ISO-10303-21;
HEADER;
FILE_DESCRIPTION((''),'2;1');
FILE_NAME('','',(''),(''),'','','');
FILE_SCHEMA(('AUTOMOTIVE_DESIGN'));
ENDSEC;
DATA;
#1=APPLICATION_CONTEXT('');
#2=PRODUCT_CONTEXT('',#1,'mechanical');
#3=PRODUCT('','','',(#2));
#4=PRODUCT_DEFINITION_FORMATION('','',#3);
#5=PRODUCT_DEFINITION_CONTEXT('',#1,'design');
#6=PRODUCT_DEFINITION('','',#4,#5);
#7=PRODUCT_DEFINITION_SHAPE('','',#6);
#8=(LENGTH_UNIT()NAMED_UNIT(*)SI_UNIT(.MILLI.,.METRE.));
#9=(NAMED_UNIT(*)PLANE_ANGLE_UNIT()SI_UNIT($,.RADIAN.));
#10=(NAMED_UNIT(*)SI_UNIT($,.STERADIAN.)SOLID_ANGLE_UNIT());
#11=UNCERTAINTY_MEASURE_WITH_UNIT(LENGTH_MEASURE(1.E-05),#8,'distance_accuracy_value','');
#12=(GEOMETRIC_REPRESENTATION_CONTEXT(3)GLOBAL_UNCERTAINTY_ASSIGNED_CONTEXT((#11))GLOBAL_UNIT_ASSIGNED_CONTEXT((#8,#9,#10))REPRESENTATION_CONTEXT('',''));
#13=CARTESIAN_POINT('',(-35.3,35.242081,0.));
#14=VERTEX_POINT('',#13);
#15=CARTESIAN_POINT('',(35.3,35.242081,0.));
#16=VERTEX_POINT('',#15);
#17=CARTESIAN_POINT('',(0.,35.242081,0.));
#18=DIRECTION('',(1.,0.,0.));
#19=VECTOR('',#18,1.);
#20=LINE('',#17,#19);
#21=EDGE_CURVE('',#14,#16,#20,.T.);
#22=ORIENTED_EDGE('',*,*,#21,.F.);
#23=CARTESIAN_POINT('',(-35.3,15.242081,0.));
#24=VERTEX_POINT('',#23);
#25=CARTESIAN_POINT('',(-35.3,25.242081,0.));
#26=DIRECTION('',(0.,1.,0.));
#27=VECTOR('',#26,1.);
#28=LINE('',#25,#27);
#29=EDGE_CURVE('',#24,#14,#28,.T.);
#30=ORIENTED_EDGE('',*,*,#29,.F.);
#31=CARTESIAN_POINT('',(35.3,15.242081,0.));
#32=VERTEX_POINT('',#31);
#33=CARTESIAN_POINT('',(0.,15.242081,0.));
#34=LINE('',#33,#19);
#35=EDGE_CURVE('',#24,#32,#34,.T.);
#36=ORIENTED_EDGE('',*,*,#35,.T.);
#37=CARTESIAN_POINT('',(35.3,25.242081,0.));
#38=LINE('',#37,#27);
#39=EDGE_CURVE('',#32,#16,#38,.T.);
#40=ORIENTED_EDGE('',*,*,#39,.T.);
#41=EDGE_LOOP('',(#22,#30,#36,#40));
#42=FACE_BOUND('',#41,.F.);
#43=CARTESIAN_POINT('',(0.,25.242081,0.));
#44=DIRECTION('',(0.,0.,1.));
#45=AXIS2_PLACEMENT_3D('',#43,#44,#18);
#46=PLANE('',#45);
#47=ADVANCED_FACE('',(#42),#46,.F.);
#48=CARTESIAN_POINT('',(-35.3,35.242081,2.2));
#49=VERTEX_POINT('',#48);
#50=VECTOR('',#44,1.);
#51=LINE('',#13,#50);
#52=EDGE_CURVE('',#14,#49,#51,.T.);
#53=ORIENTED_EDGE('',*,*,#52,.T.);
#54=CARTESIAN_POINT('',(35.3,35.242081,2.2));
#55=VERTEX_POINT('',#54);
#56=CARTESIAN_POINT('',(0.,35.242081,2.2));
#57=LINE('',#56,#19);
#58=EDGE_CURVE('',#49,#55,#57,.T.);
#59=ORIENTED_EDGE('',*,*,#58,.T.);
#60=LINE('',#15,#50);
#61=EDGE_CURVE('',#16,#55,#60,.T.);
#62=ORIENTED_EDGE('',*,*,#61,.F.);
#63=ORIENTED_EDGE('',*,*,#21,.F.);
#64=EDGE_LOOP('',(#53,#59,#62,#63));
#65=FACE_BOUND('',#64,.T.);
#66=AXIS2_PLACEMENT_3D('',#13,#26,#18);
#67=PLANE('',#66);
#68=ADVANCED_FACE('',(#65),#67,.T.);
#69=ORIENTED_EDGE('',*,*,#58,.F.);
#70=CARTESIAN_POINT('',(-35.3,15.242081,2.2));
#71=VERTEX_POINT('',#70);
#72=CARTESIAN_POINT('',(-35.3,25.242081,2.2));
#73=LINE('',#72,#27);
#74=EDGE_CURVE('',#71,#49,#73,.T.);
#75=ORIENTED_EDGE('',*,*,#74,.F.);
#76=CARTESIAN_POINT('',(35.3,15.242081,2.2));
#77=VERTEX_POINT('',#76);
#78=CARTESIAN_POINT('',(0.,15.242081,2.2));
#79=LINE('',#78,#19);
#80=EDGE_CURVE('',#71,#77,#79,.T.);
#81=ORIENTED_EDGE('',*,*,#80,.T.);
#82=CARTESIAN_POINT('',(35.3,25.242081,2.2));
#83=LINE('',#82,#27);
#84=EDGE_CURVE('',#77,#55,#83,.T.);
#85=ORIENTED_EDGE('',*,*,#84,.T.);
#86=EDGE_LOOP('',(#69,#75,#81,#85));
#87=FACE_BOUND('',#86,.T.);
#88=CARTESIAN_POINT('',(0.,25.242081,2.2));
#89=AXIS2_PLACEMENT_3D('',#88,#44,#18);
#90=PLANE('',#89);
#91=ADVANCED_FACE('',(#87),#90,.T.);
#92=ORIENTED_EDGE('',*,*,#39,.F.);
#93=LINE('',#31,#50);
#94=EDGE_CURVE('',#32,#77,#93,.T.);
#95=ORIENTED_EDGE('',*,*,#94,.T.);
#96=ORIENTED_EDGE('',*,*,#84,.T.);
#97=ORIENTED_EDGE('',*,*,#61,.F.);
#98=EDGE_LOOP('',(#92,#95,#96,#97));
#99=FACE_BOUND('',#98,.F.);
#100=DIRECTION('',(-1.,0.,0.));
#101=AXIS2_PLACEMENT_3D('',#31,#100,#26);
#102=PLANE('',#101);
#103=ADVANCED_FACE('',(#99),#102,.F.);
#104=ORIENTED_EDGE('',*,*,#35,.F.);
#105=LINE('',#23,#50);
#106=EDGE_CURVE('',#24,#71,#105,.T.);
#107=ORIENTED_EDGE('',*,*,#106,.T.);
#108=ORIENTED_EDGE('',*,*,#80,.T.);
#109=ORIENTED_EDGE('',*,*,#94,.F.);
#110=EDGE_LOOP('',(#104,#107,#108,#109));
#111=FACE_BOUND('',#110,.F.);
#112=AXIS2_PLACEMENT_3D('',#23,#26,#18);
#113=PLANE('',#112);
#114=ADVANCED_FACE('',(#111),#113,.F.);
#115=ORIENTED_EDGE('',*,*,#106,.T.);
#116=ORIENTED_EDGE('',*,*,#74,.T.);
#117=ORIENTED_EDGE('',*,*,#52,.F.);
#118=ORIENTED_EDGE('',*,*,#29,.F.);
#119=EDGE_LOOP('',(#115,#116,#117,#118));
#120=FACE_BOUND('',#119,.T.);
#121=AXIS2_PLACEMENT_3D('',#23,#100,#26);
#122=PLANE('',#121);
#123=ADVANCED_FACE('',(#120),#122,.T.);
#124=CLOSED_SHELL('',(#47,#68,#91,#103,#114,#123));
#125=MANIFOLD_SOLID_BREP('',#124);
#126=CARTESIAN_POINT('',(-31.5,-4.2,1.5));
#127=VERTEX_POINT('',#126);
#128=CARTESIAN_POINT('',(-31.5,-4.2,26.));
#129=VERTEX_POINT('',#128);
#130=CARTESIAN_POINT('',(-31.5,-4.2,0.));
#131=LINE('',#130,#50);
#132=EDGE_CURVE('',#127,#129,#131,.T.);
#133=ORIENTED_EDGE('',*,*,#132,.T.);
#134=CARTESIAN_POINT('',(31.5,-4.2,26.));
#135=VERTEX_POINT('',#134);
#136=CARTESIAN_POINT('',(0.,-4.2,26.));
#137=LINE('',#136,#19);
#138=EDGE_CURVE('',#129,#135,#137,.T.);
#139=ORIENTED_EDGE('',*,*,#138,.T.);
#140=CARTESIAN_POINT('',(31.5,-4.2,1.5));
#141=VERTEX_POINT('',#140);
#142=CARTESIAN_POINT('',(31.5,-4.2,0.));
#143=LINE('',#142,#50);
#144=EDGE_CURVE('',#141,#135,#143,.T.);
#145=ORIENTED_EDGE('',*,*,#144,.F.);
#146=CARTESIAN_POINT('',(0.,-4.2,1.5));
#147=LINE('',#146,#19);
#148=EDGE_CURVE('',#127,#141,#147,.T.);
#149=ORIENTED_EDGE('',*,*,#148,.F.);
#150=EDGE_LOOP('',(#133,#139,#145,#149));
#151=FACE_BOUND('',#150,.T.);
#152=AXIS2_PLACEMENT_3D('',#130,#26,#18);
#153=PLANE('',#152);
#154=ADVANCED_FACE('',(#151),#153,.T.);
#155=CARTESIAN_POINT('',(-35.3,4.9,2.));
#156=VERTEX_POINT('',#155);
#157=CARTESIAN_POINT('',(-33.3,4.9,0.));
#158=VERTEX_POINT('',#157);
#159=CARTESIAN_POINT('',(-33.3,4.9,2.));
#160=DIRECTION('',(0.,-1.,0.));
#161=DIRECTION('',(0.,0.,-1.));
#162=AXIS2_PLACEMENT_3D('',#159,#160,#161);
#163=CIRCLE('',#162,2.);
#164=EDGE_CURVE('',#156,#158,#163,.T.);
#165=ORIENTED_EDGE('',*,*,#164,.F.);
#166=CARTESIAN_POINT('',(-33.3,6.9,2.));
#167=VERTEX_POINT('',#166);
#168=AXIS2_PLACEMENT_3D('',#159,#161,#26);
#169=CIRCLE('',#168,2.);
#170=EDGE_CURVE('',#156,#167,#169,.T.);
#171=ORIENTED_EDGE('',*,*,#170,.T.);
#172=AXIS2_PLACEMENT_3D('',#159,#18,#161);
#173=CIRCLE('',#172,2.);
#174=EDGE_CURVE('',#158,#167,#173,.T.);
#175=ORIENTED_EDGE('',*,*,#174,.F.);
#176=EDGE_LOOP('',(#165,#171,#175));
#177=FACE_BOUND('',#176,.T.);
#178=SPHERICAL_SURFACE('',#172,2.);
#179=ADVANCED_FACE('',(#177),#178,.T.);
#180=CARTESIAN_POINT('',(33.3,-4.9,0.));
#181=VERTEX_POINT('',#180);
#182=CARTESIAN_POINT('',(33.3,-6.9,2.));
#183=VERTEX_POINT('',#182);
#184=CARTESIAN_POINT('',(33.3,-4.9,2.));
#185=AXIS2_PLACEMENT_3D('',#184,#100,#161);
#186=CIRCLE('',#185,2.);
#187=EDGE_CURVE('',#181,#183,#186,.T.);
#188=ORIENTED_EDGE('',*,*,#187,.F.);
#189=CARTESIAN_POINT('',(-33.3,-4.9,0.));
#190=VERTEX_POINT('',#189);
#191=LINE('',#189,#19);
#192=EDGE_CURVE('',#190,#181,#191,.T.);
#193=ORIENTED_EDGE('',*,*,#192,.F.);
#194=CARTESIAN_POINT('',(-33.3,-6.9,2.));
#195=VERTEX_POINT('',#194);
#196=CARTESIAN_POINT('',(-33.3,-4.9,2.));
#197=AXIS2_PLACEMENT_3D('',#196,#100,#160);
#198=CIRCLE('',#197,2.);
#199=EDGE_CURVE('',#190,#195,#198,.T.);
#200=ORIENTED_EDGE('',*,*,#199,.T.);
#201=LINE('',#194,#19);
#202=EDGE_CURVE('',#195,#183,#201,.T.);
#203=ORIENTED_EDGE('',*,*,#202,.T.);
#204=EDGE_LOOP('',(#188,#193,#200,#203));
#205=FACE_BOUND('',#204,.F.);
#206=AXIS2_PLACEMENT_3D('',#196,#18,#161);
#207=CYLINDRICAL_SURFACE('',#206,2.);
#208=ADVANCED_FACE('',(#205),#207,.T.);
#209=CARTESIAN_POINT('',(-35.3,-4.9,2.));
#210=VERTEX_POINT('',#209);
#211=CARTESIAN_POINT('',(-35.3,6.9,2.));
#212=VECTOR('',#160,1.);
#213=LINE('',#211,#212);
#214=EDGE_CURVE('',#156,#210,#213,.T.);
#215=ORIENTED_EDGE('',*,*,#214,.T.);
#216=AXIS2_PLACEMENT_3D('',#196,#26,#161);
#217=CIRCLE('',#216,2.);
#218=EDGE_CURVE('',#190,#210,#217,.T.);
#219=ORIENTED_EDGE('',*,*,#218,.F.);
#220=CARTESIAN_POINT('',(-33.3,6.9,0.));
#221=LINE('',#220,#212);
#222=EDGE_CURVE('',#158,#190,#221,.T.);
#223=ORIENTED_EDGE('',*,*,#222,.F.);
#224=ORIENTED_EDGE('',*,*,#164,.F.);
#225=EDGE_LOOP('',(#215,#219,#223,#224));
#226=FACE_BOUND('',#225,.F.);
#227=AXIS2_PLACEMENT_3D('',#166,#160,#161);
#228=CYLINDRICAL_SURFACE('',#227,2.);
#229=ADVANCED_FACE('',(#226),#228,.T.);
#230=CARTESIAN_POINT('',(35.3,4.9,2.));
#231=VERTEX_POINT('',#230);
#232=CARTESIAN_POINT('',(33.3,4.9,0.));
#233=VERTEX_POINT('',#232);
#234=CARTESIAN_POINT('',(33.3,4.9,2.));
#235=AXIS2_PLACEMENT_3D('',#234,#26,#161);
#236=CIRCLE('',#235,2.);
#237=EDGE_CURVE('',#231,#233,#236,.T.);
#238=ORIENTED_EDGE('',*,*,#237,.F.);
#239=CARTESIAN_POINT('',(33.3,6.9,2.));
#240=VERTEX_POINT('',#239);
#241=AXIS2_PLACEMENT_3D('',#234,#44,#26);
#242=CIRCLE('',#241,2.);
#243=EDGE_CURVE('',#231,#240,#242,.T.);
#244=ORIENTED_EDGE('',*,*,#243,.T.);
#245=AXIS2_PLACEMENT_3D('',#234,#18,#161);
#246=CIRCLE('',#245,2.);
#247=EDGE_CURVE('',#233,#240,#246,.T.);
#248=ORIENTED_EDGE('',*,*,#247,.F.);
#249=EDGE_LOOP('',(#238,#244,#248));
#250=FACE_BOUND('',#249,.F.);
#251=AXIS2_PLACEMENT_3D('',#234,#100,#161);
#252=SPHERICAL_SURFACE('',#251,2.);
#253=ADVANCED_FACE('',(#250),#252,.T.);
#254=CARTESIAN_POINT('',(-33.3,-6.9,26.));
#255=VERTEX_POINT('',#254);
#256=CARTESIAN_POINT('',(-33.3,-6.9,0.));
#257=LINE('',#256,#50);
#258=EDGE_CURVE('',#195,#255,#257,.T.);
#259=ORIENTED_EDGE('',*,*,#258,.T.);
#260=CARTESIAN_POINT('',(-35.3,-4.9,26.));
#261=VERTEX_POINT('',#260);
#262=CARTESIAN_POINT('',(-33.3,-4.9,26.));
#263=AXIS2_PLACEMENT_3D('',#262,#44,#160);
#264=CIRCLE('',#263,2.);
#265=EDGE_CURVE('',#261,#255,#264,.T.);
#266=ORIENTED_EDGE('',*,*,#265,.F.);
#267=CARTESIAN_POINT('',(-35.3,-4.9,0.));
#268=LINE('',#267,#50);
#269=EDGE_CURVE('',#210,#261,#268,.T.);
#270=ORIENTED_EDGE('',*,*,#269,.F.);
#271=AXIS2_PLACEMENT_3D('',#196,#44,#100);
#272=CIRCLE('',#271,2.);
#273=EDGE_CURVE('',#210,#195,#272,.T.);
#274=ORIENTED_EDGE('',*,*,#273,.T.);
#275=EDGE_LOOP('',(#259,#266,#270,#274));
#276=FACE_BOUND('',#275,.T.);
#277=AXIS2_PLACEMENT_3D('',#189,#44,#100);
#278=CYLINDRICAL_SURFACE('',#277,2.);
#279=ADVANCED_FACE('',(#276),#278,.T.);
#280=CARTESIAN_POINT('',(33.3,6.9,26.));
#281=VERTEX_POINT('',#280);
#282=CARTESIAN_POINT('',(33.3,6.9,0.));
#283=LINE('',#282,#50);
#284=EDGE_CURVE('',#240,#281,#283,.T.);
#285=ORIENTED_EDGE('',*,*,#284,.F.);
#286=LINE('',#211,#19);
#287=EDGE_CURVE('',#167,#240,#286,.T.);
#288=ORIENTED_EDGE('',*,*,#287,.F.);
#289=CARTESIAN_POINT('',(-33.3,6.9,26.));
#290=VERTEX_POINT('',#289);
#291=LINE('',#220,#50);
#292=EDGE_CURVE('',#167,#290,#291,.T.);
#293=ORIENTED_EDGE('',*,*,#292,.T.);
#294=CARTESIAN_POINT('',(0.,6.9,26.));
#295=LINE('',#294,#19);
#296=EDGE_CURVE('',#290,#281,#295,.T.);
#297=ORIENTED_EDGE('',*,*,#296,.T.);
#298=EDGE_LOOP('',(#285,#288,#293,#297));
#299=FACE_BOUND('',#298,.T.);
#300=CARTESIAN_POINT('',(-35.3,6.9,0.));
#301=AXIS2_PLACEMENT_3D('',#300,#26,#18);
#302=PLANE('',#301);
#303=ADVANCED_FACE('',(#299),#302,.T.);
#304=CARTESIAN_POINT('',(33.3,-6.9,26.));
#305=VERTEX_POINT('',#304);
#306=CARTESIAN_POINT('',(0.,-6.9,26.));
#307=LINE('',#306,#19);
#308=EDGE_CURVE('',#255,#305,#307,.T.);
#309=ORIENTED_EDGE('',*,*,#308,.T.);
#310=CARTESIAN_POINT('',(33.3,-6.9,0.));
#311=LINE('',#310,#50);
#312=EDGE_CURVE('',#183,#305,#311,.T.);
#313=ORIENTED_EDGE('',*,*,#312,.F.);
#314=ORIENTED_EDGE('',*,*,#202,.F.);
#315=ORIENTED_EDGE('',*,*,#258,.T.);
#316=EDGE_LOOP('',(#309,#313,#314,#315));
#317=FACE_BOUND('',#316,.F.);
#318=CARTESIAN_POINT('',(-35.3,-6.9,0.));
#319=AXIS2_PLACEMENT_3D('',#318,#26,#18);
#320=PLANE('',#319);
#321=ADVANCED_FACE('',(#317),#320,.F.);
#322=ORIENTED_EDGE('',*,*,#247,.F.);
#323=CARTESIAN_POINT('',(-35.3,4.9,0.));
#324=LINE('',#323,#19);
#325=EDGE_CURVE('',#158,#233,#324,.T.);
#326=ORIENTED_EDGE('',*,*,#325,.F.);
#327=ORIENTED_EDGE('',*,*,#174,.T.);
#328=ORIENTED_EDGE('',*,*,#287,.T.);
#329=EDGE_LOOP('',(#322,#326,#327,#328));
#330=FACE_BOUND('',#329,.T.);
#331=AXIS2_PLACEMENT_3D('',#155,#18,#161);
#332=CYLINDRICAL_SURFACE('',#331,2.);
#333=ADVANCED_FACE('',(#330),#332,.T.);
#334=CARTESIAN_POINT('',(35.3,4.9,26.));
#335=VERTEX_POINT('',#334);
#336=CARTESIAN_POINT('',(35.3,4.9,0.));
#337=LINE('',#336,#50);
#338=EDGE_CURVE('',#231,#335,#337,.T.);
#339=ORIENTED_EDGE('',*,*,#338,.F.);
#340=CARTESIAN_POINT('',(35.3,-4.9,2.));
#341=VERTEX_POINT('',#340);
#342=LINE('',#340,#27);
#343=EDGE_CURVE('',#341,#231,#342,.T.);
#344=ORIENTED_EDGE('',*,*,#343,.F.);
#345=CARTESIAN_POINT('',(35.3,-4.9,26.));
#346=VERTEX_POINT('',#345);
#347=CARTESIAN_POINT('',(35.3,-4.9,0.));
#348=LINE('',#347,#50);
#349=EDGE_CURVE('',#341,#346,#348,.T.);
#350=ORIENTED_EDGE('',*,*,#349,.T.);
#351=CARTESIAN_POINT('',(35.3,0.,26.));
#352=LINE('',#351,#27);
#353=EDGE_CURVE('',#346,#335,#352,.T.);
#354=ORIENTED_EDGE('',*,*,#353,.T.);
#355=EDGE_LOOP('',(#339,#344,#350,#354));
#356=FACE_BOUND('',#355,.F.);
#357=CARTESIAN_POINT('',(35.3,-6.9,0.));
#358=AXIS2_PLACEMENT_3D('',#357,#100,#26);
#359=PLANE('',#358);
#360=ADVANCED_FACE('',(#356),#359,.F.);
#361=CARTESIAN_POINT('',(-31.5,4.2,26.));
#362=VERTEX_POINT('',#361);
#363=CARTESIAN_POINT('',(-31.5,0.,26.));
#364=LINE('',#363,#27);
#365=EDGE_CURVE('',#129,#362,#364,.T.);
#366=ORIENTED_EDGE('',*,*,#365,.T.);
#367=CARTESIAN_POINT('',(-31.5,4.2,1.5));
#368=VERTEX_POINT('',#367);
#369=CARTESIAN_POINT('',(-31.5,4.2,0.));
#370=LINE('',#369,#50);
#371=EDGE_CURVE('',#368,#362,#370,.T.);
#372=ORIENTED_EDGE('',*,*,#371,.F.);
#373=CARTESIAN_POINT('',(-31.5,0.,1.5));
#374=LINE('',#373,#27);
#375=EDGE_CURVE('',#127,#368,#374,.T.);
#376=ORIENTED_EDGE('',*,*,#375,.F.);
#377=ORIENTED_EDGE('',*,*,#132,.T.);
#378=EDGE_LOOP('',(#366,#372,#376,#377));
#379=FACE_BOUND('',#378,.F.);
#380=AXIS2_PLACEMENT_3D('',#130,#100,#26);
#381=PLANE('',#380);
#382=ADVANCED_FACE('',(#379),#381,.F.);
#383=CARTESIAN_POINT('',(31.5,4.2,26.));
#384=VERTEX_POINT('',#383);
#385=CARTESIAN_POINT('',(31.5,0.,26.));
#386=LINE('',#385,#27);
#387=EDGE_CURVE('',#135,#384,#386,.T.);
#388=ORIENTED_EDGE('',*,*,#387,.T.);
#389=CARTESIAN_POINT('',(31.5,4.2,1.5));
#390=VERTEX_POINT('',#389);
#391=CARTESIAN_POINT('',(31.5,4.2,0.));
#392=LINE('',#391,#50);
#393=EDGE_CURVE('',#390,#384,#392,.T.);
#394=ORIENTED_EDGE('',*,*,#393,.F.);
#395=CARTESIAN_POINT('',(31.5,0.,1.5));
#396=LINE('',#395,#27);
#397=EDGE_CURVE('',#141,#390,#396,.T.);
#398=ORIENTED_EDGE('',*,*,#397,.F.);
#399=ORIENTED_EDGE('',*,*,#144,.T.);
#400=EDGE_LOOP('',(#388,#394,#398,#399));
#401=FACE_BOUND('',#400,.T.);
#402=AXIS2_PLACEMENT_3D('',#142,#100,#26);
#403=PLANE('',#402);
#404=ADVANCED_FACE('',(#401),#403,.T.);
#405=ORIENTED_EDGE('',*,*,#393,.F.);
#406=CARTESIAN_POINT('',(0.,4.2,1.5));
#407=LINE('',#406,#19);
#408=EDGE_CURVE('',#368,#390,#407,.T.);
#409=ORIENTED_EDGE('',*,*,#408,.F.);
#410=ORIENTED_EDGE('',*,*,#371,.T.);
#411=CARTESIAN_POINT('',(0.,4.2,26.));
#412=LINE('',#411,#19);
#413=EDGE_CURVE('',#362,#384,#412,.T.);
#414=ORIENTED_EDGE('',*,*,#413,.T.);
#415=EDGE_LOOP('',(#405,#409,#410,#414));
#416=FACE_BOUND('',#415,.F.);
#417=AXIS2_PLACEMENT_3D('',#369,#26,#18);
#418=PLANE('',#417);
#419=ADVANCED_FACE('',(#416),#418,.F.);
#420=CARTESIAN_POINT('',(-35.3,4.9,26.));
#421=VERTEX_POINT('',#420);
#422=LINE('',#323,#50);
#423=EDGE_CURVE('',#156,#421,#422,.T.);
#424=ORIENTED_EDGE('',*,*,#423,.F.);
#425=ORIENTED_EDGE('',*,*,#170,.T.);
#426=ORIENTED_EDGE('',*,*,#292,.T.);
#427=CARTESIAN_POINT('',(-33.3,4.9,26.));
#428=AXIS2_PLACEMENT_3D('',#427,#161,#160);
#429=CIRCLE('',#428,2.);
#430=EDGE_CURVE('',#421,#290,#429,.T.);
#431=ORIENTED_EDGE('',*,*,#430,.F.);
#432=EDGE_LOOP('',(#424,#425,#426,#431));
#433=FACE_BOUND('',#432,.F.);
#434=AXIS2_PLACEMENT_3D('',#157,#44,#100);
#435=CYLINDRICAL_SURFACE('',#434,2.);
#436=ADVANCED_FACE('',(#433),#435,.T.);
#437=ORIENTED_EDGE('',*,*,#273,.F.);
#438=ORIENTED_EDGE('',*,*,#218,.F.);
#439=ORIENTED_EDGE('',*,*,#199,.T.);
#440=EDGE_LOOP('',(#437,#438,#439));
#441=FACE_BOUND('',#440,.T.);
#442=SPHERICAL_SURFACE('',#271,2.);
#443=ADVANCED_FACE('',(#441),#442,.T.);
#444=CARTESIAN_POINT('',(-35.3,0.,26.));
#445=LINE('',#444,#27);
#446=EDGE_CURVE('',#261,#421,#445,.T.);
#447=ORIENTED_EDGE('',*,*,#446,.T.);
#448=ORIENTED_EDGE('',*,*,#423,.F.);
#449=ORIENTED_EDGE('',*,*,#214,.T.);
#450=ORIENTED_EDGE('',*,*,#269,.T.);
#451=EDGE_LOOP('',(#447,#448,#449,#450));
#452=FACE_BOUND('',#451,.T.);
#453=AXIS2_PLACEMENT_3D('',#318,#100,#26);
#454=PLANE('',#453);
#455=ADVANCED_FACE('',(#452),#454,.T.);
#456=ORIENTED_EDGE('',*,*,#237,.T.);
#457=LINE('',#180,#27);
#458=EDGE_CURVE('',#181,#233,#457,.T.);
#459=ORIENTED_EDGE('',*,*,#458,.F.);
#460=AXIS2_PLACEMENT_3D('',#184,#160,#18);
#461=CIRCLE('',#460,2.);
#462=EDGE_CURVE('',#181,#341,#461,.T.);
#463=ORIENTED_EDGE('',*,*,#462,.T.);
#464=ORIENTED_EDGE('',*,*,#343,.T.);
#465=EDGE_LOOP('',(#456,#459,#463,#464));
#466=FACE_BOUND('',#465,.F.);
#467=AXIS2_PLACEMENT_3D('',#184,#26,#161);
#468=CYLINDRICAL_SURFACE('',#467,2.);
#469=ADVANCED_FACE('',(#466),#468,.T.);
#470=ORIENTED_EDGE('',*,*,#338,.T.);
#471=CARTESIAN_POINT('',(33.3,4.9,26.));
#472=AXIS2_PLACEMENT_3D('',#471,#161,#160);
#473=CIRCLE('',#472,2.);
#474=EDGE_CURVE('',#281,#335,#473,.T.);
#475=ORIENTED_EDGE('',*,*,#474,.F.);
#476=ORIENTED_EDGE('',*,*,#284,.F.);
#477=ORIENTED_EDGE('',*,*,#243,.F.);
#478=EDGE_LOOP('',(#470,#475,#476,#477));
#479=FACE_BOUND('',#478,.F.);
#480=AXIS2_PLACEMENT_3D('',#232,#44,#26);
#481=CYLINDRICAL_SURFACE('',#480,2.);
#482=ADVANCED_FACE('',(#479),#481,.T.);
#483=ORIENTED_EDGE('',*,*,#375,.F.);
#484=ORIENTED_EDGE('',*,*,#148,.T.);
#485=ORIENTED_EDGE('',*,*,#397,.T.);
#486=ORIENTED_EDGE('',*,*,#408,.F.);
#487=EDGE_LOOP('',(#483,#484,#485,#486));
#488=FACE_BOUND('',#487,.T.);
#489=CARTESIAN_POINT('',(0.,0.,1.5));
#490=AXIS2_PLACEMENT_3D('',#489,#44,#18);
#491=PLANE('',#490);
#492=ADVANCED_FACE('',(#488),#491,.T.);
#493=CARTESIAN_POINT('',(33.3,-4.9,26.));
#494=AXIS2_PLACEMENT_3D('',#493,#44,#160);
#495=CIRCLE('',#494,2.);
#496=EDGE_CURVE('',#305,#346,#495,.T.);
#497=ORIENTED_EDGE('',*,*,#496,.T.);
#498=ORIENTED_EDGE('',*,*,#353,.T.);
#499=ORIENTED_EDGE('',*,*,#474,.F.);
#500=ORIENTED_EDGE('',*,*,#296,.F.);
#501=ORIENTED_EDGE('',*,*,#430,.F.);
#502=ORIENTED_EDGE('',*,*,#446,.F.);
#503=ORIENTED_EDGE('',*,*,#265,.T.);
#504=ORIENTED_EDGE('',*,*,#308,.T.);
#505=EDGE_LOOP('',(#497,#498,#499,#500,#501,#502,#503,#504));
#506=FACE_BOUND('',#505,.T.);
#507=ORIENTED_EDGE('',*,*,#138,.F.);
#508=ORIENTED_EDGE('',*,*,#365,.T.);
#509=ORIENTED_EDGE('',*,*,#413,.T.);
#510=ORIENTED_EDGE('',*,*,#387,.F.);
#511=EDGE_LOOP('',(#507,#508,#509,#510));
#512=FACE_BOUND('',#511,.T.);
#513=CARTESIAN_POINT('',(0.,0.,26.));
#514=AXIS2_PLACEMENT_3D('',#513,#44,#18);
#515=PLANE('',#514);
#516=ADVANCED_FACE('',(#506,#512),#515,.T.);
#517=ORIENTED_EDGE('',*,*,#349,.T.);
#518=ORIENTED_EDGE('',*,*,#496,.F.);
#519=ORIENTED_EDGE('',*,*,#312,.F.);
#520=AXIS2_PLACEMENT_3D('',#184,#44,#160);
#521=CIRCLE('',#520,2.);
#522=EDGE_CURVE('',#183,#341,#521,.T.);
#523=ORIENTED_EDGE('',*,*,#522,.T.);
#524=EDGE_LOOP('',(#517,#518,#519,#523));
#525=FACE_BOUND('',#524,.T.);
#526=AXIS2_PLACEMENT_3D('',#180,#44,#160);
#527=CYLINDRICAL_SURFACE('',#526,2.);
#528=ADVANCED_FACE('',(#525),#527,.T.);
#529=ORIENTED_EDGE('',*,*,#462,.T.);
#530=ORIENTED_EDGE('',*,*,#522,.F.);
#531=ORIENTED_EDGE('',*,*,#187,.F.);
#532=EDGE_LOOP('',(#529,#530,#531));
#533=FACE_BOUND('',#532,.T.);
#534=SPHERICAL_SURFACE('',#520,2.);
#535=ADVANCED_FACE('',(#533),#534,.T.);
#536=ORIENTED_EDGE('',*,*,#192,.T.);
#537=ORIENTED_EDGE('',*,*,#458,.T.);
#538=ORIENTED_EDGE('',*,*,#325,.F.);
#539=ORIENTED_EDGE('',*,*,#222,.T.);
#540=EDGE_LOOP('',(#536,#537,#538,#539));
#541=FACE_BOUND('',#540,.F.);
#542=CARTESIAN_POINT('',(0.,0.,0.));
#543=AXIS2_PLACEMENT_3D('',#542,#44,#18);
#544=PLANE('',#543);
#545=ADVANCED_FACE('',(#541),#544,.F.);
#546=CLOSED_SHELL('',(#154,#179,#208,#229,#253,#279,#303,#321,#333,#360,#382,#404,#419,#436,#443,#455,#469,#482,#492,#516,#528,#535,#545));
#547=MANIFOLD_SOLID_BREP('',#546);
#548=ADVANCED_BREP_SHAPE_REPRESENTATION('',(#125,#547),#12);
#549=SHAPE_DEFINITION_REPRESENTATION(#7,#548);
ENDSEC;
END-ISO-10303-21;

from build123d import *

# Parameters (mm, degrees)
F0_W     = 70.6
F0_H     = 13.8
F0_W_2   = 63
F0_H_2   = 8.4
F1_DEPTH = 26
F2_DEPTH = 1.5
F3_R     = 2
F4_R     = 2
F0_H_3   = 20
F5_DEPTH = 2.2


with BuildPart() as f1:
    # F0 (on Top) → F1 (new body)
    with BuildSketch(Plane.XY):
        Rectangle(F0_W, F0_H)
        Rectangle(F0_W_2, F0_H_2, mode=Mode.SUBTRACT)
    extrude(amount=F1_DEPTH)

    # F0 (on Top) → F2 (join)
    with BuildSketch(Plane.XY):
        Rectangle(F0_W_2, F0_H_2)
    extrude(amount=F2_DEPTH)

    # F3
    f3_edges = [f1.edges().sort_by_distance(p)[0] for p in [
        (-35.3, -6.9, 13),
        (35.3, -6.9, 13),
    ]]
    fillet(f3_edges, radius=F3_R)

    # F4
    f4_edges = [f1.edges().sort_by_distance(p)[0] for p in [
        (0, 6.9, 0),
        (0, -6.9, 0),
        (-35.3, 6.9, 13),
        (35.3, 6.9, 13),
    ]]
    fillet(f4_edges, radius=F4_R)


with BuildPart() as f5:
    # F0 (on Top) → F5 (new body)
    with BuildSketch(Plane.XY):
        with Locations((0, 25.242081)):
            Rectangle(F0_W, F0_H_3)
    extrude(amount=F5_DEPTH)


solid = Compound([f1.part, f5.part])
